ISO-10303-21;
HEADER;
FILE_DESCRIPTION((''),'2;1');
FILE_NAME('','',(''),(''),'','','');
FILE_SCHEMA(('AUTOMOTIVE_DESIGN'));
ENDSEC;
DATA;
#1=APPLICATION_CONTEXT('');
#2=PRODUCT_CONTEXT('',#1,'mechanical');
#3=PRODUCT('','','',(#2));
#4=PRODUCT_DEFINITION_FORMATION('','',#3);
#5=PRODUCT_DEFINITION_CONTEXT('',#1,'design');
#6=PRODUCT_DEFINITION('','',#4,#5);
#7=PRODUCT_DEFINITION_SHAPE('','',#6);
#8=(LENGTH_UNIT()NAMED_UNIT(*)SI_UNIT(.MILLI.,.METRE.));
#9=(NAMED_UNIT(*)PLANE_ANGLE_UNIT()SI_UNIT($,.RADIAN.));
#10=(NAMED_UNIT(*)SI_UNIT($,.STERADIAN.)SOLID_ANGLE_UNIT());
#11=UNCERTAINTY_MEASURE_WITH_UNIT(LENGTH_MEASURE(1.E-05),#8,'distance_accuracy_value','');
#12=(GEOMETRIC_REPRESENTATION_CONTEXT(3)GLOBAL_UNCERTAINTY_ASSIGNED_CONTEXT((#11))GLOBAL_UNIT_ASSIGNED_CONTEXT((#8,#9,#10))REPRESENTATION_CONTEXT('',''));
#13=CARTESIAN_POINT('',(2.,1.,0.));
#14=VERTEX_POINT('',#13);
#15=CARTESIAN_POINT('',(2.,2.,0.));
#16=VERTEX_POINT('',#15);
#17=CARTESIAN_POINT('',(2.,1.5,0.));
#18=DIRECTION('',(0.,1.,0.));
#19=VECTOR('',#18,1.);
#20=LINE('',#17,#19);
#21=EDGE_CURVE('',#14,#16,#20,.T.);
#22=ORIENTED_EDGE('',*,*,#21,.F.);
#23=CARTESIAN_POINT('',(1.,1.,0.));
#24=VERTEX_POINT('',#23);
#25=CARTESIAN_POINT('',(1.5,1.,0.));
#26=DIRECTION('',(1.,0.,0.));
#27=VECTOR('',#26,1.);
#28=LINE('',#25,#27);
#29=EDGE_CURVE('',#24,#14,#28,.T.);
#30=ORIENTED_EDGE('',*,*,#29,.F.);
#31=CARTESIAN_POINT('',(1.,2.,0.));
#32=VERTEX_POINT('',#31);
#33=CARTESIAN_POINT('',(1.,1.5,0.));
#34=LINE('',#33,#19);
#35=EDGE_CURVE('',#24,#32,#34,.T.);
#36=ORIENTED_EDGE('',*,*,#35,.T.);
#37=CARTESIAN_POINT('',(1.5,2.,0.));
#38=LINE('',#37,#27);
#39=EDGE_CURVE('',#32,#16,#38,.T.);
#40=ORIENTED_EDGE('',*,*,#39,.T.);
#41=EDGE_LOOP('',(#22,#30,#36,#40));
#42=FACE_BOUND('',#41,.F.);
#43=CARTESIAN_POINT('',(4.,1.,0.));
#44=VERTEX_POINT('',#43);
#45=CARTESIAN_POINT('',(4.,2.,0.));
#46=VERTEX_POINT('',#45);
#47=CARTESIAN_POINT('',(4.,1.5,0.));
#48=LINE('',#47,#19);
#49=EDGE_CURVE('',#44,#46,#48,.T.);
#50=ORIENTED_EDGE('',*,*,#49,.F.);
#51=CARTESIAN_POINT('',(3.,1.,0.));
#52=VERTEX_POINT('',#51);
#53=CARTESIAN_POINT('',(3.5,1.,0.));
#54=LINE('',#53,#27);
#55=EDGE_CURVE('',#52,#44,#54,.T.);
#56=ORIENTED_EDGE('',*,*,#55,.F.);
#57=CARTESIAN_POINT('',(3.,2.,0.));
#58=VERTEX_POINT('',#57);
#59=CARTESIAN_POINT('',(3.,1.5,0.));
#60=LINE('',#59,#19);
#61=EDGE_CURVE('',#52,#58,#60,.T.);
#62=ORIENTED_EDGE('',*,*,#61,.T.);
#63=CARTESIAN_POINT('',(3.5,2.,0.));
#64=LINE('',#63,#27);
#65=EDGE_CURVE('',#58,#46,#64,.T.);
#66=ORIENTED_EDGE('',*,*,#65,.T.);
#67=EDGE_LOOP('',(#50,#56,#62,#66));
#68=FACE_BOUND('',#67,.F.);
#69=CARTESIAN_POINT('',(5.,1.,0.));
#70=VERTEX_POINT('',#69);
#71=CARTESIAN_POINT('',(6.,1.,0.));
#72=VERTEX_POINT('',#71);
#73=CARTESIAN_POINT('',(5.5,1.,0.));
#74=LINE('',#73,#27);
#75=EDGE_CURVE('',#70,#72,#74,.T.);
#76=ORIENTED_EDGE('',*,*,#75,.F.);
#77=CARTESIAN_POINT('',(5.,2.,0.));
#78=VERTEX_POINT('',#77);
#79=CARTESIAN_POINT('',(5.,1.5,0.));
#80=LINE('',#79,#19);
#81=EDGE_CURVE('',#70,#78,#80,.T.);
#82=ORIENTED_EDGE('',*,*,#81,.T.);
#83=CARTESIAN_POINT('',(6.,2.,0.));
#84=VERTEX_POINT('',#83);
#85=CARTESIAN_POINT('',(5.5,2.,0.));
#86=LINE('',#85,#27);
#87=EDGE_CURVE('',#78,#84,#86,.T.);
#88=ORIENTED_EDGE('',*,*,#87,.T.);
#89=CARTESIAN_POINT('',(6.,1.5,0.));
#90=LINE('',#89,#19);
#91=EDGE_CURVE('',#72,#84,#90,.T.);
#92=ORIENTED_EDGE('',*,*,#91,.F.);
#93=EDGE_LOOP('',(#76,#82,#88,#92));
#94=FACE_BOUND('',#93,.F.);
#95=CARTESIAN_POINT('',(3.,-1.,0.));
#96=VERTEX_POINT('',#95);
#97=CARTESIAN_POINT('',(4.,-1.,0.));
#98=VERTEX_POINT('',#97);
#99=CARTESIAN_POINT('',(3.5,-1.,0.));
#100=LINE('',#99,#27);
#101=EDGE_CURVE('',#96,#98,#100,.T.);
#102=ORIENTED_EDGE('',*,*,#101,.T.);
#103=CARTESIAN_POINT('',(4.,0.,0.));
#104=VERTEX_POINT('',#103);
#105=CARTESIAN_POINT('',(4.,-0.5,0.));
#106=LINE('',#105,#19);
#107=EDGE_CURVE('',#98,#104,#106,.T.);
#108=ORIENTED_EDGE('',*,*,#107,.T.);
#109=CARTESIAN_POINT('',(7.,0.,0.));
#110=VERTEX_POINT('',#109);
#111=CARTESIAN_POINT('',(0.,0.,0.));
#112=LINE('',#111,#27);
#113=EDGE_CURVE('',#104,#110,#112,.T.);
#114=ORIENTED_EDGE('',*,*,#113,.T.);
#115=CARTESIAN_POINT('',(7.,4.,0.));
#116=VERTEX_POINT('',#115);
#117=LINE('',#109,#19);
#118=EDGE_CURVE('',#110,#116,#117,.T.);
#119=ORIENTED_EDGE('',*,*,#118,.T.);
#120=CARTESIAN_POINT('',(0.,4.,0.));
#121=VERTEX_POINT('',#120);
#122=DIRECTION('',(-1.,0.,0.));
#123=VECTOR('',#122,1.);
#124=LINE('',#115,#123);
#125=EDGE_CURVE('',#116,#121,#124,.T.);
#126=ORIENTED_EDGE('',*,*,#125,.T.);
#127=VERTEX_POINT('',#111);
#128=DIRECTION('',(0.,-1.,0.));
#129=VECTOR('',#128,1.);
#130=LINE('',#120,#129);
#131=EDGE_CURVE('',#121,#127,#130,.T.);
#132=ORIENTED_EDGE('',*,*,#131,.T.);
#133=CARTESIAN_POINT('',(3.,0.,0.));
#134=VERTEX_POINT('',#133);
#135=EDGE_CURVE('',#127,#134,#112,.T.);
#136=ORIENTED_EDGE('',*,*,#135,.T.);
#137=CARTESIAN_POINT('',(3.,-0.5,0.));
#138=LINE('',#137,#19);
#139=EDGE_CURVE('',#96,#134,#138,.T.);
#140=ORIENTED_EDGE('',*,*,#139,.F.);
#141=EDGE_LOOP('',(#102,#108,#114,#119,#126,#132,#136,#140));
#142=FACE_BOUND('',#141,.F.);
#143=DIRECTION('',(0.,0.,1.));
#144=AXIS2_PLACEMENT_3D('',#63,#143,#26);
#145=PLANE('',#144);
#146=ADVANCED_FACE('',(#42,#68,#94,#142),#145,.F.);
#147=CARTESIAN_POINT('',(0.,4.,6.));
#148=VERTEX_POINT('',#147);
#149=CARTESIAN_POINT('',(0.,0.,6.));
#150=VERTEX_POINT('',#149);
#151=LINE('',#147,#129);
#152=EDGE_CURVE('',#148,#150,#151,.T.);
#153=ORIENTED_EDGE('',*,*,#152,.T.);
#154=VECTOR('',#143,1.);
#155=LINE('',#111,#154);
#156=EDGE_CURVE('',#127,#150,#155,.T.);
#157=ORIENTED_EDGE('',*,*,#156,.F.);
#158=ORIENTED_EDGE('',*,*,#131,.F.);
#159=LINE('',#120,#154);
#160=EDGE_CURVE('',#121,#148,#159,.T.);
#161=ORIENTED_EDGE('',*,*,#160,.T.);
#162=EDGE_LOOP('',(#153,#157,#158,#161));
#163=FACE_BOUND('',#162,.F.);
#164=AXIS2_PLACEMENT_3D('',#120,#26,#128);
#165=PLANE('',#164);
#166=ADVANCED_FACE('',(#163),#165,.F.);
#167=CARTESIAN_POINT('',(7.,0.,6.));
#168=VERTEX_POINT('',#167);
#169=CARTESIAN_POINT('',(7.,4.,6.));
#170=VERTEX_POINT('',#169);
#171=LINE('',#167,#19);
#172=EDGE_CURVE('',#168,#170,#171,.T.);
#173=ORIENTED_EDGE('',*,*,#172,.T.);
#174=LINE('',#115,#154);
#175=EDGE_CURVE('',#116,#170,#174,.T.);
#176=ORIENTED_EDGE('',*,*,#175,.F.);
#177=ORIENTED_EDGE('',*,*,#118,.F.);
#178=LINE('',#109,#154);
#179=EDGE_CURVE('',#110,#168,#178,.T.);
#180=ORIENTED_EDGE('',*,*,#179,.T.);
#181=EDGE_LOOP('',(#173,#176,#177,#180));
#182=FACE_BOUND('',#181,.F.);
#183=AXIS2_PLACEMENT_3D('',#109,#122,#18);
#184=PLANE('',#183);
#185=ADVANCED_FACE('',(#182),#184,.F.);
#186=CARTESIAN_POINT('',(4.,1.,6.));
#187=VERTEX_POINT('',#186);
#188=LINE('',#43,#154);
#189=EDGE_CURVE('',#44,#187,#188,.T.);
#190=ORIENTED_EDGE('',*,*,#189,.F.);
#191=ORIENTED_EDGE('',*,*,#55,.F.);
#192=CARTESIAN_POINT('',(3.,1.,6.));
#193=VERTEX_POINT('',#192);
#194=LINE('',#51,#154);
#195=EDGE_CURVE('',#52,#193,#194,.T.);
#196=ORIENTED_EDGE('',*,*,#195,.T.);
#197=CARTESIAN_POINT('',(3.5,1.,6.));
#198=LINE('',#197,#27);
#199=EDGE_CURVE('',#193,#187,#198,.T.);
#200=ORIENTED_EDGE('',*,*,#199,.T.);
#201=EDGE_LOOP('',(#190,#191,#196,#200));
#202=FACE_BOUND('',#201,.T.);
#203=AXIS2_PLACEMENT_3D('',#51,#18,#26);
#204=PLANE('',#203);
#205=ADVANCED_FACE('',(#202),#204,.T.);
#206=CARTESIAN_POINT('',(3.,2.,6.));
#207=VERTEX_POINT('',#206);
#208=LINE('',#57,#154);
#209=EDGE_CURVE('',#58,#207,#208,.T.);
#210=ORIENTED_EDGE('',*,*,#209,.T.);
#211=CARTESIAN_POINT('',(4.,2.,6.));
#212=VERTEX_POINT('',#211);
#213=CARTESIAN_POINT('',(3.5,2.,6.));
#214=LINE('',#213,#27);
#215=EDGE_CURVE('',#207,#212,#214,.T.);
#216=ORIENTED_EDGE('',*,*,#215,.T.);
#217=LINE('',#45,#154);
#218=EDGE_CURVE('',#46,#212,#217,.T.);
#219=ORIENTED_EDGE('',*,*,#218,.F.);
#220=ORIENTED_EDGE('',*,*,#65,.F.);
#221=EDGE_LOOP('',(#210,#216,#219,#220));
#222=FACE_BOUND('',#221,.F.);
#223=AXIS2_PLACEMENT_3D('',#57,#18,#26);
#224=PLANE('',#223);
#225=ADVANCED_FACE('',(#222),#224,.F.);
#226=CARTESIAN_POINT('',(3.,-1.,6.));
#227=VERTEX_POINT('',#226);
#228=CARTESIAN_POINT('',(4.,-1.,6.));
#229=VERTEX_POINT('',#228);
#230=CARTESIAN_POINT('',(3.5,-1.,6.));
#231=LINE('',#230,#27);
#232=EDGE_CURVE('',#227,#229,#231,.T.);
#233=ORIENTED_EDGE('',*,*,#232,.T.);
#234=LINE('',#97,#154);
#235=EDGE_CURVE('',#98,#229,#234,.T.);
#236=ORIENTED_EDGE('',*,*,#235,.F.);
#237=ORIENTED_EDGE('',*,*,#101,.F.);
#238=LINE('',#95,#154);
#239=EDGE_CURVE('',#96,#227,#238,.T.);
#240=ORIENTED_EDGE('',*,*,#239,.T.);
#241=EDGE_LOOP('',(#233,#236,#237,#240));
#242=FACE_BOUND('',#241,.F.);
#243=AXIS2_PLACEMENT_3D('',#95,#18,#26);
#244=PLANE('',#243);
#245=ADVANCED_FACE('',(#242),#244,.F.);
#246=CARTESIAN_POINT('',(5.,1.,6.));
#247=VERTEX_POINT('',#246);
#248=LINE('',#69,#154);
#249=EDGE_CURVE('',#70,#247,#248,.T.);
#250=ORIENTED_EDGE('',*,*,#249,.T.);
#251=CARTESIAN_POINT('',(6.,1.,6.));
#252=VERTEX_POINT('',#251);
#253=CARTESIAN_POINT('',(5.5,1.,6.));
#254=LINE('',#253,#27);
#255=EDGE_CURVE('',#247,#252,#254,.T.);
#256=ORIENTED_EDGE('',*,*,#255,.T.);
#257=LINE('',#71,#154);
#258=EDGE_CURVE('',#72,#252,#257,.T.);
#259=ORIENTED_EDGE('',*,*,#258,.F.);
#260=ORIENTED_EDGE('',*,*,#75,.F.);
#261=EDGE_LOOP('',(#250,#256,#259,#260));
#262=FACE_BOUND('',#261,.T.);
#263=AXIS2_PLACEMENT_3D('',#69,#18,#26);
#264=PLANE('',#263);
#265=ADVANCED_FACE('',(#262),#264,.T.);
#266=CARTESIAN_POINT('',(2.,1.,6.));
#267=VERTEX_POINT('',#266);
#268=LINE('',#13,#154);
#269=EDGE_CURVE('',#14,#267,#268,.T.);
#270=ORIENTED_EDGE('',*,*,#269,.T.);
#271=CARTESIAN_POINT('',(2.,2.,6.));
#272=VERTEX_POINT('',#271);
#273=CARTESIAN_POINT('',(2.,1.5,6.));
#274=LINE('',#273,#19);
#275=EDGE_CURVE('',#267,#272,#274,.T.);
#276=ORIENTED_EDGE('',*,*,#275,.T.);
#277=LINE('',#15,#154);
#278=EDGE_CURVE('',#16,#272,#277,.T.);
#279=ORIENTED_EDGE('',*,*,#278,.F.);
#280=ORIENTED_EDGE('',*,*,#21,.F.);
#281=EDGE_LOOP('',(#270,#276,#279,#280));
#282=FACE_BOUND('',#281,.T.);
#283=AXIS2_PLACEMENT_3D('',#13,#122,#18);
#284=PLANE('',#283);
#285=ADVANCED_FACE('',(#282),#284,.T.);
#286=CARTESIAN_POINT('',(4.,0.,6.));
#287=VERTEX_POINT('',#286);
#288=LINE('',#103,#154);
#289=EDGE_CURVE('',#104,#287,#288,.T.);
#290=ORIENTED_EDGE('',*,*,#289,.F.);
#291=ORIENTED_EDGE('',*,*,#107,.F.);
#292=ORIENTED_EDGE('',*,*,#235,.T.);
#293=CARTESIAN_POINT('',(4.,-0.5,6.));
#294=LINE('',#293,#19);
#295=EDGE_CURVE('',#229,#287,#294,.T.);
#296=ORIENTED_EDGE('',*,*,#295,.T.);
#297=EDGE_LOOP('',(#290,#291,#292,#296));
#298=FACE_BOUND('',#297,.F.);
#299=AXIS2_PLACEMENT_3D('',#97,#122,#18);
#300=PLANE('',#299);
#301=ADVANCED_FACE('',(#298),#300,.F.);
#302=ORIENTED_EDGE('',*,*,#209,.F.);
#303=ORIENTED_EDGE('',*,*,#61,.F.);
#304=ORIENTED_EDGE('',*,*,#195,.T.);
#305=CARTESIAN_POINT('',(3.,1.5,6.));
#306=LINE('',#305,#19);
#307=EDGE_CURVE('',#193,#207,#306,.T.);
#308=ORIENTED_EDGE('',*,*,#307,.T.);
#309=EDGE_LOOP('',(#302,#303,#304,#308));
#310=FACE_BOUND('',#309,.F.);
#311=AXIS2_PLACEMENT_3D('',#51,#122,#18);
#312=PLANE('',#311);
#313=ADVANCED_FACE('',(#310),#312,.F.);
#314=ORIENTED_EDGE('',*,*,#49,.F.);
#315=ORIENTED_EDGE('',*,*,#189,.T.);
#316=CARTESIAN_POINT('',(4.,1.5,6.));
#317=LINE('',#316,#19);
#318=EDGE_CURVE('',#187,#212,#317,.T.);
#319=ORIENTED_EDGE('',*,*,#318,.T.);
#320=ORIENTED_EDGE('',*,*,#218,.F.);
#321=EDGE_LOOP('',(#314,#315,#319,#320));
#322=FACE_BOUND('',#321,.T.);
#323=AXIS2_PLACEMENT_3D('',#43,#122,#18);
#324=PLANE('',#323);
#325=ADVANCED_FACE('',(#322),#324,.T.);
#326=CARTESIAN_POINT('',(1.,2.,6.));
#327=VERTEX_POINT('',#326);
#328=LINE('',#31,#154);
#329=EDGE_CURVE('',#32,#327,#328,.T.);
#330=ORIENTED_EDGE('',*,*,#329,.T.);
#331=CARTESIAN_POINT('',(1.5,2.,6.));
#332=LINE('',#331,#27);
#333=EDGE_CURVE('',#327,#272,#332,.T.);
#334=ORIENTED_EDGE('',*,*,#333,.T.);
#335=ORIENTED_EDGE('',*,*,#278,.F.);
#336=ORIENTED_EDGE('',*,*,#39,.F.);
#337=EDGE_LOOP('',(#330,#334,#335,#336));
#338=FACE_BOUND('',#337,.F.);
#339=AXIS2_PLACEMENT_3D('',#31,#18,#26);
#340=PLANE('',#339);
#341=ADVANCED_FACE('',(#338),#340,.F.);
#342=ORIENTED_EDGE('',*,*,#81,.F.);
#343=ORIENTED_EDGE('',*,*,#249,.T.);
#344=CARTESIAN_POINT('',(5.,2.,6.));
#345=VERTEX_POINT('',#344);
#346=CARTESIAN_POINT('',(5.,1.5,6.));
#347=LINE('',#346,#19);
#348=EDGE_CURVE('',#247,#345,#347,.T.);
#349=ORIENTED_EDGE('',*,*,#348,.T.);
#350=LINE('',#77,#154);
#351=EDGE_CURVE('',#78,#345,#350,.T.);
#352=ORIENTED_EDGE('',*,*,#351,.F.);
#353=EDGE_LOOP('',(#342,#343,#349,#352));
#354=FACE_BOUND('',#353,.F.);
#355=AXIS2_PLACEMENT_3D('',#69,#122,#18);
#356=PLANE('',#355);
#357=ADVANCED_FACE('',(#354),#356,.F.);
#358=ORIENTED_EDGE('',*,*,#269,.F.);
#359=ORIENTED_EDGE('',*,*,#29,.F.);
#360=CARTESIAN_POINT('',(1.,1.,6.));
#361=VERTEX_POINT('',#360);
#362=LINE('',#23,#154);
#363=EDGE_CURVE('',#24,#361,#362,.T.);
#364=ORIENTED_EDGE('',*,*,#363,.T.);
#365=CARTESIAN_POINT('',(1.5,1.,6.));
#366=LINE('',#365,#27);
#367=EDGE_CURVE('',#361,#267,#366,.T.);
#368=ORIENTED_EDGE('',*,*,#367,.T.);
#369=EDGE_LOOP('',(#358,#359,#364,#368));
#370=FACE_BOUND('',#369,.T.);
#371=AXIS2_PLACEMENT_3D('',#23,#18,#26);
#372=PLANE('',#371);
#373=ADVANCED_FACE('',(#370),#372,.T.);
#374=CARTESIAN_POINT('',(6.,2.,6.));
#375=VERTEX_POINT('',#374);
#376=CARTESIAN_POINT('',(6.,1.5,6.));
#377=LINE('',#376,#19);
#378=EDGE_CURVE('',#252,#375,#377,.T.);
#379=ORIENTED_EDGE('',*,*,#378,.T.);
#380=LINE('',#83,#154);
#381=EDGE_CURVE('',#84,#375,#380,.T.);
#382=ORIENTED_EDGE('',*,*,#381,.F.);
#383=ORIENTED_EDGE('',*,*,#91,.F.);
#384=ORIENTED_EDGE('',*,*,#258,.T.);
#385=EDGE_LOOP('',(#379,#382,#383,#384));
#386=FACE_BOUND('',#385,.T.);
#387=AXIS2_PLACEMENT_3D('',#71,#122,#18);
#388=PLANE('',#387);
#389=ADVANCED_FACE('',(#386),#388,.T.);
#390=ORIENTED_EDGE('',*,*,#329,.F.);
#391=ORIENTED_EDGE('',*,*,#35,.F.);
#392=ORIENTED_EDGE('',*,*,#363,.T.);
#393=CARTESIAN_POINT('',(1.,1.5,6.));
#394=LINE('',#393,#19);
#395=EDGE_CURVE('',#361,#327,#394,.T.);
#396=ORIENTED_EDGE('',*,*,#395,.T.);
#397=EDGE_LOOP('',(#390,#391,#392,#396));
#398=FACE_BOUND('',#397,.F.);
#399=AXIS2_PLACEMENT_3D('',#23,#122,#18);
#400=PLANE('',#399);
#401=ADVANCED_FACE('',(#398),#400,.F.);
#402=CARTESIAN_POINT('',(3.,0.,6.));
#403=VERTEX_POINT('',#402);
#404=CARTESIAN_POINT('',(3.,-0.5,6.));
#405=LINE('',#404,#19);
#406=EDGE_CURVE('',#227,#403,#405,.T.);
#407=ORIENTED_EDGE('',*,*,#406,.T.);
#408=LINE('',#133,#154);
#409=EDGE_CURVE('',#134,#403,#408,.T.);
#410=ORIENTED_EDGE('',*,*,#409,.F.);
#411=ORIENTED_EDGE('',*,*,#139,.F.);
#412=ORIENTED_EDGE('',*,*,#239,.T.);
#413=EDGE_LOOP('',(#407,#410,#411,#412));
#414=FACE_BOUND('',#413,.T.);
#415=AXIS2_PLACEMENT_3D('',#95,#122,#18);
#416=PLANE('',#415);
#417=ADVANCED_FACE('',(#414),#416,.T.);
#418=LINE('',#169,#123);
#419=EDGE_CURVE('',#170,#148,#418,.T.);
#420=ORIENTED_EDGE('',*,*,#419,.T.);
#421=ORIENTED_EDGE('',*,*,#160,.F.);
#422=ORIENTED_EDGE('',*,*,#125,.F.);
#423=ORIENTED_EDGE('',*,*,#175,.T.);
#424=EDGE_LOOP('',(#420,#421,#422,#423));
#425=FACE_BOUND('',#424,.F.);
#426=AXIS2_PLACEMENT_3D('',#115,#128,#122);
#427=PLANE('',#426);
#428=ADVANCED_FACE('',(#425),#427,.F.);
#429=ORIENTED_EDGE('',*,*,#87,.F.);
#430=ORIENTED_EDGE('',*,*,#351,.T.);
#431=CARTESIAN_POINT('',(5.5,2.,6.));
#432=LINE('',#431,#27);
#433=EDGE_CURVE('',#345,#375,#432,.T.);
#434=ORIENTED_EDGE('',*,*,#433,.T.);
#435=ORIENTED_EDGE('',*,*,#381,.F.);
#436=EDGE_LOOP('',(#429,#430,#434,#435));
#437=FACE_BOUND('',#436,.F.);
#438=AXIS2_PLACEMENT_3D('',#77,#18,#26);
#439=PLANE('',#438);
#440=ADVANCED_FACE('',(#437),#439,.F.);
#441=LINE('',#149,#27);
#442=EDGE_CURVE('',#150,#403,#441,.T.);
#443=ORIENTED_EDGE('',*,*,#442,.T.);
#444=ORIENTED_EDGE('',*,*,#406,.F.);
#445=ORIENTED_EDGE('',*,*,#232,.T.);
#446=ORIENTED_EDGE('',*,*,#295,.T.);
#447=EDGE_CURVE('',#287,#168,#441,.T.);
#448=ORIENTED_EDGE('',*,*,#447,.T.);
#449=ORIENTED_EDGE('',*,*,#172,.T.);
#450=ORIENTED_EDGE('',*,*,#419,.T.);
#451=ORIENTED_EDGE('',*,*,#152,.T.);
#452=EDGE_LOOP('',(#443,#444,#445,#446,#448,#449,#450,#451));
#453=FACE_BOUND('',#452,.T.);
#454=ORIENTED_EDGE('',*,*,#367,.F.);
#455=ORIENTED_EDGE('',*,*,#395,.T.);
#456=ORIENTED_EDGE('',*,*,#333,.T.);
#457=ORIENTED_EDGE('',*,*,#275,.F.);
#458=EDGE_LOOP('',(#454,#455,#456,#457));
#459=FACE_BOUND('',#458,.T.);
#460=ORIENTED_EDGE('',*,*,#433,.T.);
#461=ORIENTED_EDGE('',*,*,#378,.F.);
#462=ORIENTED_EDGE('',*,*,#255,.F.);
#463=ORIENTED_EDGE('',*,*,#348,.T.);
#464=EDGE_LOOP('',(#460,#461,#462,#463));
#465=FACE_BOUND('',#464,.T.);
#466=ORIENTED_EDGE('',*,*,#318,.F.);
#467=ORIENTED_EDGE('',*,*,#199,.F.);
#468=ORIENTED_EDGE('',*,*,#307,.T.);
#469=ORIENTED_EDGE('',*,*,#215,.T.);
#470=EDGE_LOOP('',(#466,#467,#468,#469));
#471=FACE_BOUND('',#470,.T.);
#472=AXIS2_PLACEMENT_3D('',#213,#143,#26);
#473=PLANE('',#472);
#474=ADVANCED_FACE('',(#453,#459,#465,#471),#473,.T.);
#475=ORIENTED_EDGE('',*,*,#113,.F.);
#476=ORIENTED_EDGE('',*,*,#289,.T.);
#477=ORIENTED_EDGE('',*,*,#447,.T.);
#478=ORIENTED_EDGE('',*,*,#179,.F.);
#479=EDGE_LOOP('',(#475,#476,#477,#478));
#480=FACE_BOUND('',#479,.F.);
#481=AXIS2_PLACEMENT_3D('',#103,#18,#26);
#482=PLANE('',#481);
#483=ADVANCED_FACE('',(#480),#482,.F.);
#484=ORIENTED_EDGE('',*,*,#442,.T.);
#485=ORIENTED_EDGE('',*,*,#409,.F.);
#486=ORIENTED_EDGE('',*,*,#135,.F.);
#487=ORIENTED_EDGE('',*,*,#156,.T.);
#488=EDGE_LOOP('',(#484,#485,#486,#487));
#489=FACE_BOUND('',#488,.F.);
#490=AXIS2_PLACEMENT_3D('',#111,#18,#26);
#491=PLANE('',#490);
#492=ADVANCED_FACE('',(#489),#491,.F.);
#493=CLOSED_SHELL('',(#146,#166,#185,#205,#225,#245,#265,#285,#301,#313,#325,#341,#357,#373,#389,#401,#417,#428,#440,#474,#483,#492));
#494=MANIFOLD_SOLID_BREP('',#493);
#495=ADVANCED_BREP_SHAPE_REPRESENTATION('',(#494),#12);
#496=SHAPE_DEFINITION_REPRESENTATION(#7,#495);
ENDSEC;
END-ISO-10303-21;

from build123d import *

# Parameters (mm, degrees)
F0_W     = 1
F0_H     = 1
F1_DEPTH = 6


with BuildPart() as f1:
    # F0 (on Top) → F1 (new body)
    with BuildSketch(Plane.XY):
        Polygon((0, 1), (0, 0), (3, 0), (4, 0), (7, 0), (7, 4), (0, 4), align=None)
        with Locations((1.5, 1.5)):
            Rectangle(F0_W, F0_H, mode=Mode.SUBTRACT)
        with Locations((3.5, 1.5)):
            Rectangle(F0_W, F0_H, mode=Mode.SUBTRACT)
        with Locations((5.5, 1.5)):
            Rectangle(F0_W, F0_H, mode=Mode.SUBTRACT)
        with Locations((3.5, -0.5)):
            Rectangle(F0_W, F0_H)
    extrude(amount=F1_DEPTH)


solid = f1.part
